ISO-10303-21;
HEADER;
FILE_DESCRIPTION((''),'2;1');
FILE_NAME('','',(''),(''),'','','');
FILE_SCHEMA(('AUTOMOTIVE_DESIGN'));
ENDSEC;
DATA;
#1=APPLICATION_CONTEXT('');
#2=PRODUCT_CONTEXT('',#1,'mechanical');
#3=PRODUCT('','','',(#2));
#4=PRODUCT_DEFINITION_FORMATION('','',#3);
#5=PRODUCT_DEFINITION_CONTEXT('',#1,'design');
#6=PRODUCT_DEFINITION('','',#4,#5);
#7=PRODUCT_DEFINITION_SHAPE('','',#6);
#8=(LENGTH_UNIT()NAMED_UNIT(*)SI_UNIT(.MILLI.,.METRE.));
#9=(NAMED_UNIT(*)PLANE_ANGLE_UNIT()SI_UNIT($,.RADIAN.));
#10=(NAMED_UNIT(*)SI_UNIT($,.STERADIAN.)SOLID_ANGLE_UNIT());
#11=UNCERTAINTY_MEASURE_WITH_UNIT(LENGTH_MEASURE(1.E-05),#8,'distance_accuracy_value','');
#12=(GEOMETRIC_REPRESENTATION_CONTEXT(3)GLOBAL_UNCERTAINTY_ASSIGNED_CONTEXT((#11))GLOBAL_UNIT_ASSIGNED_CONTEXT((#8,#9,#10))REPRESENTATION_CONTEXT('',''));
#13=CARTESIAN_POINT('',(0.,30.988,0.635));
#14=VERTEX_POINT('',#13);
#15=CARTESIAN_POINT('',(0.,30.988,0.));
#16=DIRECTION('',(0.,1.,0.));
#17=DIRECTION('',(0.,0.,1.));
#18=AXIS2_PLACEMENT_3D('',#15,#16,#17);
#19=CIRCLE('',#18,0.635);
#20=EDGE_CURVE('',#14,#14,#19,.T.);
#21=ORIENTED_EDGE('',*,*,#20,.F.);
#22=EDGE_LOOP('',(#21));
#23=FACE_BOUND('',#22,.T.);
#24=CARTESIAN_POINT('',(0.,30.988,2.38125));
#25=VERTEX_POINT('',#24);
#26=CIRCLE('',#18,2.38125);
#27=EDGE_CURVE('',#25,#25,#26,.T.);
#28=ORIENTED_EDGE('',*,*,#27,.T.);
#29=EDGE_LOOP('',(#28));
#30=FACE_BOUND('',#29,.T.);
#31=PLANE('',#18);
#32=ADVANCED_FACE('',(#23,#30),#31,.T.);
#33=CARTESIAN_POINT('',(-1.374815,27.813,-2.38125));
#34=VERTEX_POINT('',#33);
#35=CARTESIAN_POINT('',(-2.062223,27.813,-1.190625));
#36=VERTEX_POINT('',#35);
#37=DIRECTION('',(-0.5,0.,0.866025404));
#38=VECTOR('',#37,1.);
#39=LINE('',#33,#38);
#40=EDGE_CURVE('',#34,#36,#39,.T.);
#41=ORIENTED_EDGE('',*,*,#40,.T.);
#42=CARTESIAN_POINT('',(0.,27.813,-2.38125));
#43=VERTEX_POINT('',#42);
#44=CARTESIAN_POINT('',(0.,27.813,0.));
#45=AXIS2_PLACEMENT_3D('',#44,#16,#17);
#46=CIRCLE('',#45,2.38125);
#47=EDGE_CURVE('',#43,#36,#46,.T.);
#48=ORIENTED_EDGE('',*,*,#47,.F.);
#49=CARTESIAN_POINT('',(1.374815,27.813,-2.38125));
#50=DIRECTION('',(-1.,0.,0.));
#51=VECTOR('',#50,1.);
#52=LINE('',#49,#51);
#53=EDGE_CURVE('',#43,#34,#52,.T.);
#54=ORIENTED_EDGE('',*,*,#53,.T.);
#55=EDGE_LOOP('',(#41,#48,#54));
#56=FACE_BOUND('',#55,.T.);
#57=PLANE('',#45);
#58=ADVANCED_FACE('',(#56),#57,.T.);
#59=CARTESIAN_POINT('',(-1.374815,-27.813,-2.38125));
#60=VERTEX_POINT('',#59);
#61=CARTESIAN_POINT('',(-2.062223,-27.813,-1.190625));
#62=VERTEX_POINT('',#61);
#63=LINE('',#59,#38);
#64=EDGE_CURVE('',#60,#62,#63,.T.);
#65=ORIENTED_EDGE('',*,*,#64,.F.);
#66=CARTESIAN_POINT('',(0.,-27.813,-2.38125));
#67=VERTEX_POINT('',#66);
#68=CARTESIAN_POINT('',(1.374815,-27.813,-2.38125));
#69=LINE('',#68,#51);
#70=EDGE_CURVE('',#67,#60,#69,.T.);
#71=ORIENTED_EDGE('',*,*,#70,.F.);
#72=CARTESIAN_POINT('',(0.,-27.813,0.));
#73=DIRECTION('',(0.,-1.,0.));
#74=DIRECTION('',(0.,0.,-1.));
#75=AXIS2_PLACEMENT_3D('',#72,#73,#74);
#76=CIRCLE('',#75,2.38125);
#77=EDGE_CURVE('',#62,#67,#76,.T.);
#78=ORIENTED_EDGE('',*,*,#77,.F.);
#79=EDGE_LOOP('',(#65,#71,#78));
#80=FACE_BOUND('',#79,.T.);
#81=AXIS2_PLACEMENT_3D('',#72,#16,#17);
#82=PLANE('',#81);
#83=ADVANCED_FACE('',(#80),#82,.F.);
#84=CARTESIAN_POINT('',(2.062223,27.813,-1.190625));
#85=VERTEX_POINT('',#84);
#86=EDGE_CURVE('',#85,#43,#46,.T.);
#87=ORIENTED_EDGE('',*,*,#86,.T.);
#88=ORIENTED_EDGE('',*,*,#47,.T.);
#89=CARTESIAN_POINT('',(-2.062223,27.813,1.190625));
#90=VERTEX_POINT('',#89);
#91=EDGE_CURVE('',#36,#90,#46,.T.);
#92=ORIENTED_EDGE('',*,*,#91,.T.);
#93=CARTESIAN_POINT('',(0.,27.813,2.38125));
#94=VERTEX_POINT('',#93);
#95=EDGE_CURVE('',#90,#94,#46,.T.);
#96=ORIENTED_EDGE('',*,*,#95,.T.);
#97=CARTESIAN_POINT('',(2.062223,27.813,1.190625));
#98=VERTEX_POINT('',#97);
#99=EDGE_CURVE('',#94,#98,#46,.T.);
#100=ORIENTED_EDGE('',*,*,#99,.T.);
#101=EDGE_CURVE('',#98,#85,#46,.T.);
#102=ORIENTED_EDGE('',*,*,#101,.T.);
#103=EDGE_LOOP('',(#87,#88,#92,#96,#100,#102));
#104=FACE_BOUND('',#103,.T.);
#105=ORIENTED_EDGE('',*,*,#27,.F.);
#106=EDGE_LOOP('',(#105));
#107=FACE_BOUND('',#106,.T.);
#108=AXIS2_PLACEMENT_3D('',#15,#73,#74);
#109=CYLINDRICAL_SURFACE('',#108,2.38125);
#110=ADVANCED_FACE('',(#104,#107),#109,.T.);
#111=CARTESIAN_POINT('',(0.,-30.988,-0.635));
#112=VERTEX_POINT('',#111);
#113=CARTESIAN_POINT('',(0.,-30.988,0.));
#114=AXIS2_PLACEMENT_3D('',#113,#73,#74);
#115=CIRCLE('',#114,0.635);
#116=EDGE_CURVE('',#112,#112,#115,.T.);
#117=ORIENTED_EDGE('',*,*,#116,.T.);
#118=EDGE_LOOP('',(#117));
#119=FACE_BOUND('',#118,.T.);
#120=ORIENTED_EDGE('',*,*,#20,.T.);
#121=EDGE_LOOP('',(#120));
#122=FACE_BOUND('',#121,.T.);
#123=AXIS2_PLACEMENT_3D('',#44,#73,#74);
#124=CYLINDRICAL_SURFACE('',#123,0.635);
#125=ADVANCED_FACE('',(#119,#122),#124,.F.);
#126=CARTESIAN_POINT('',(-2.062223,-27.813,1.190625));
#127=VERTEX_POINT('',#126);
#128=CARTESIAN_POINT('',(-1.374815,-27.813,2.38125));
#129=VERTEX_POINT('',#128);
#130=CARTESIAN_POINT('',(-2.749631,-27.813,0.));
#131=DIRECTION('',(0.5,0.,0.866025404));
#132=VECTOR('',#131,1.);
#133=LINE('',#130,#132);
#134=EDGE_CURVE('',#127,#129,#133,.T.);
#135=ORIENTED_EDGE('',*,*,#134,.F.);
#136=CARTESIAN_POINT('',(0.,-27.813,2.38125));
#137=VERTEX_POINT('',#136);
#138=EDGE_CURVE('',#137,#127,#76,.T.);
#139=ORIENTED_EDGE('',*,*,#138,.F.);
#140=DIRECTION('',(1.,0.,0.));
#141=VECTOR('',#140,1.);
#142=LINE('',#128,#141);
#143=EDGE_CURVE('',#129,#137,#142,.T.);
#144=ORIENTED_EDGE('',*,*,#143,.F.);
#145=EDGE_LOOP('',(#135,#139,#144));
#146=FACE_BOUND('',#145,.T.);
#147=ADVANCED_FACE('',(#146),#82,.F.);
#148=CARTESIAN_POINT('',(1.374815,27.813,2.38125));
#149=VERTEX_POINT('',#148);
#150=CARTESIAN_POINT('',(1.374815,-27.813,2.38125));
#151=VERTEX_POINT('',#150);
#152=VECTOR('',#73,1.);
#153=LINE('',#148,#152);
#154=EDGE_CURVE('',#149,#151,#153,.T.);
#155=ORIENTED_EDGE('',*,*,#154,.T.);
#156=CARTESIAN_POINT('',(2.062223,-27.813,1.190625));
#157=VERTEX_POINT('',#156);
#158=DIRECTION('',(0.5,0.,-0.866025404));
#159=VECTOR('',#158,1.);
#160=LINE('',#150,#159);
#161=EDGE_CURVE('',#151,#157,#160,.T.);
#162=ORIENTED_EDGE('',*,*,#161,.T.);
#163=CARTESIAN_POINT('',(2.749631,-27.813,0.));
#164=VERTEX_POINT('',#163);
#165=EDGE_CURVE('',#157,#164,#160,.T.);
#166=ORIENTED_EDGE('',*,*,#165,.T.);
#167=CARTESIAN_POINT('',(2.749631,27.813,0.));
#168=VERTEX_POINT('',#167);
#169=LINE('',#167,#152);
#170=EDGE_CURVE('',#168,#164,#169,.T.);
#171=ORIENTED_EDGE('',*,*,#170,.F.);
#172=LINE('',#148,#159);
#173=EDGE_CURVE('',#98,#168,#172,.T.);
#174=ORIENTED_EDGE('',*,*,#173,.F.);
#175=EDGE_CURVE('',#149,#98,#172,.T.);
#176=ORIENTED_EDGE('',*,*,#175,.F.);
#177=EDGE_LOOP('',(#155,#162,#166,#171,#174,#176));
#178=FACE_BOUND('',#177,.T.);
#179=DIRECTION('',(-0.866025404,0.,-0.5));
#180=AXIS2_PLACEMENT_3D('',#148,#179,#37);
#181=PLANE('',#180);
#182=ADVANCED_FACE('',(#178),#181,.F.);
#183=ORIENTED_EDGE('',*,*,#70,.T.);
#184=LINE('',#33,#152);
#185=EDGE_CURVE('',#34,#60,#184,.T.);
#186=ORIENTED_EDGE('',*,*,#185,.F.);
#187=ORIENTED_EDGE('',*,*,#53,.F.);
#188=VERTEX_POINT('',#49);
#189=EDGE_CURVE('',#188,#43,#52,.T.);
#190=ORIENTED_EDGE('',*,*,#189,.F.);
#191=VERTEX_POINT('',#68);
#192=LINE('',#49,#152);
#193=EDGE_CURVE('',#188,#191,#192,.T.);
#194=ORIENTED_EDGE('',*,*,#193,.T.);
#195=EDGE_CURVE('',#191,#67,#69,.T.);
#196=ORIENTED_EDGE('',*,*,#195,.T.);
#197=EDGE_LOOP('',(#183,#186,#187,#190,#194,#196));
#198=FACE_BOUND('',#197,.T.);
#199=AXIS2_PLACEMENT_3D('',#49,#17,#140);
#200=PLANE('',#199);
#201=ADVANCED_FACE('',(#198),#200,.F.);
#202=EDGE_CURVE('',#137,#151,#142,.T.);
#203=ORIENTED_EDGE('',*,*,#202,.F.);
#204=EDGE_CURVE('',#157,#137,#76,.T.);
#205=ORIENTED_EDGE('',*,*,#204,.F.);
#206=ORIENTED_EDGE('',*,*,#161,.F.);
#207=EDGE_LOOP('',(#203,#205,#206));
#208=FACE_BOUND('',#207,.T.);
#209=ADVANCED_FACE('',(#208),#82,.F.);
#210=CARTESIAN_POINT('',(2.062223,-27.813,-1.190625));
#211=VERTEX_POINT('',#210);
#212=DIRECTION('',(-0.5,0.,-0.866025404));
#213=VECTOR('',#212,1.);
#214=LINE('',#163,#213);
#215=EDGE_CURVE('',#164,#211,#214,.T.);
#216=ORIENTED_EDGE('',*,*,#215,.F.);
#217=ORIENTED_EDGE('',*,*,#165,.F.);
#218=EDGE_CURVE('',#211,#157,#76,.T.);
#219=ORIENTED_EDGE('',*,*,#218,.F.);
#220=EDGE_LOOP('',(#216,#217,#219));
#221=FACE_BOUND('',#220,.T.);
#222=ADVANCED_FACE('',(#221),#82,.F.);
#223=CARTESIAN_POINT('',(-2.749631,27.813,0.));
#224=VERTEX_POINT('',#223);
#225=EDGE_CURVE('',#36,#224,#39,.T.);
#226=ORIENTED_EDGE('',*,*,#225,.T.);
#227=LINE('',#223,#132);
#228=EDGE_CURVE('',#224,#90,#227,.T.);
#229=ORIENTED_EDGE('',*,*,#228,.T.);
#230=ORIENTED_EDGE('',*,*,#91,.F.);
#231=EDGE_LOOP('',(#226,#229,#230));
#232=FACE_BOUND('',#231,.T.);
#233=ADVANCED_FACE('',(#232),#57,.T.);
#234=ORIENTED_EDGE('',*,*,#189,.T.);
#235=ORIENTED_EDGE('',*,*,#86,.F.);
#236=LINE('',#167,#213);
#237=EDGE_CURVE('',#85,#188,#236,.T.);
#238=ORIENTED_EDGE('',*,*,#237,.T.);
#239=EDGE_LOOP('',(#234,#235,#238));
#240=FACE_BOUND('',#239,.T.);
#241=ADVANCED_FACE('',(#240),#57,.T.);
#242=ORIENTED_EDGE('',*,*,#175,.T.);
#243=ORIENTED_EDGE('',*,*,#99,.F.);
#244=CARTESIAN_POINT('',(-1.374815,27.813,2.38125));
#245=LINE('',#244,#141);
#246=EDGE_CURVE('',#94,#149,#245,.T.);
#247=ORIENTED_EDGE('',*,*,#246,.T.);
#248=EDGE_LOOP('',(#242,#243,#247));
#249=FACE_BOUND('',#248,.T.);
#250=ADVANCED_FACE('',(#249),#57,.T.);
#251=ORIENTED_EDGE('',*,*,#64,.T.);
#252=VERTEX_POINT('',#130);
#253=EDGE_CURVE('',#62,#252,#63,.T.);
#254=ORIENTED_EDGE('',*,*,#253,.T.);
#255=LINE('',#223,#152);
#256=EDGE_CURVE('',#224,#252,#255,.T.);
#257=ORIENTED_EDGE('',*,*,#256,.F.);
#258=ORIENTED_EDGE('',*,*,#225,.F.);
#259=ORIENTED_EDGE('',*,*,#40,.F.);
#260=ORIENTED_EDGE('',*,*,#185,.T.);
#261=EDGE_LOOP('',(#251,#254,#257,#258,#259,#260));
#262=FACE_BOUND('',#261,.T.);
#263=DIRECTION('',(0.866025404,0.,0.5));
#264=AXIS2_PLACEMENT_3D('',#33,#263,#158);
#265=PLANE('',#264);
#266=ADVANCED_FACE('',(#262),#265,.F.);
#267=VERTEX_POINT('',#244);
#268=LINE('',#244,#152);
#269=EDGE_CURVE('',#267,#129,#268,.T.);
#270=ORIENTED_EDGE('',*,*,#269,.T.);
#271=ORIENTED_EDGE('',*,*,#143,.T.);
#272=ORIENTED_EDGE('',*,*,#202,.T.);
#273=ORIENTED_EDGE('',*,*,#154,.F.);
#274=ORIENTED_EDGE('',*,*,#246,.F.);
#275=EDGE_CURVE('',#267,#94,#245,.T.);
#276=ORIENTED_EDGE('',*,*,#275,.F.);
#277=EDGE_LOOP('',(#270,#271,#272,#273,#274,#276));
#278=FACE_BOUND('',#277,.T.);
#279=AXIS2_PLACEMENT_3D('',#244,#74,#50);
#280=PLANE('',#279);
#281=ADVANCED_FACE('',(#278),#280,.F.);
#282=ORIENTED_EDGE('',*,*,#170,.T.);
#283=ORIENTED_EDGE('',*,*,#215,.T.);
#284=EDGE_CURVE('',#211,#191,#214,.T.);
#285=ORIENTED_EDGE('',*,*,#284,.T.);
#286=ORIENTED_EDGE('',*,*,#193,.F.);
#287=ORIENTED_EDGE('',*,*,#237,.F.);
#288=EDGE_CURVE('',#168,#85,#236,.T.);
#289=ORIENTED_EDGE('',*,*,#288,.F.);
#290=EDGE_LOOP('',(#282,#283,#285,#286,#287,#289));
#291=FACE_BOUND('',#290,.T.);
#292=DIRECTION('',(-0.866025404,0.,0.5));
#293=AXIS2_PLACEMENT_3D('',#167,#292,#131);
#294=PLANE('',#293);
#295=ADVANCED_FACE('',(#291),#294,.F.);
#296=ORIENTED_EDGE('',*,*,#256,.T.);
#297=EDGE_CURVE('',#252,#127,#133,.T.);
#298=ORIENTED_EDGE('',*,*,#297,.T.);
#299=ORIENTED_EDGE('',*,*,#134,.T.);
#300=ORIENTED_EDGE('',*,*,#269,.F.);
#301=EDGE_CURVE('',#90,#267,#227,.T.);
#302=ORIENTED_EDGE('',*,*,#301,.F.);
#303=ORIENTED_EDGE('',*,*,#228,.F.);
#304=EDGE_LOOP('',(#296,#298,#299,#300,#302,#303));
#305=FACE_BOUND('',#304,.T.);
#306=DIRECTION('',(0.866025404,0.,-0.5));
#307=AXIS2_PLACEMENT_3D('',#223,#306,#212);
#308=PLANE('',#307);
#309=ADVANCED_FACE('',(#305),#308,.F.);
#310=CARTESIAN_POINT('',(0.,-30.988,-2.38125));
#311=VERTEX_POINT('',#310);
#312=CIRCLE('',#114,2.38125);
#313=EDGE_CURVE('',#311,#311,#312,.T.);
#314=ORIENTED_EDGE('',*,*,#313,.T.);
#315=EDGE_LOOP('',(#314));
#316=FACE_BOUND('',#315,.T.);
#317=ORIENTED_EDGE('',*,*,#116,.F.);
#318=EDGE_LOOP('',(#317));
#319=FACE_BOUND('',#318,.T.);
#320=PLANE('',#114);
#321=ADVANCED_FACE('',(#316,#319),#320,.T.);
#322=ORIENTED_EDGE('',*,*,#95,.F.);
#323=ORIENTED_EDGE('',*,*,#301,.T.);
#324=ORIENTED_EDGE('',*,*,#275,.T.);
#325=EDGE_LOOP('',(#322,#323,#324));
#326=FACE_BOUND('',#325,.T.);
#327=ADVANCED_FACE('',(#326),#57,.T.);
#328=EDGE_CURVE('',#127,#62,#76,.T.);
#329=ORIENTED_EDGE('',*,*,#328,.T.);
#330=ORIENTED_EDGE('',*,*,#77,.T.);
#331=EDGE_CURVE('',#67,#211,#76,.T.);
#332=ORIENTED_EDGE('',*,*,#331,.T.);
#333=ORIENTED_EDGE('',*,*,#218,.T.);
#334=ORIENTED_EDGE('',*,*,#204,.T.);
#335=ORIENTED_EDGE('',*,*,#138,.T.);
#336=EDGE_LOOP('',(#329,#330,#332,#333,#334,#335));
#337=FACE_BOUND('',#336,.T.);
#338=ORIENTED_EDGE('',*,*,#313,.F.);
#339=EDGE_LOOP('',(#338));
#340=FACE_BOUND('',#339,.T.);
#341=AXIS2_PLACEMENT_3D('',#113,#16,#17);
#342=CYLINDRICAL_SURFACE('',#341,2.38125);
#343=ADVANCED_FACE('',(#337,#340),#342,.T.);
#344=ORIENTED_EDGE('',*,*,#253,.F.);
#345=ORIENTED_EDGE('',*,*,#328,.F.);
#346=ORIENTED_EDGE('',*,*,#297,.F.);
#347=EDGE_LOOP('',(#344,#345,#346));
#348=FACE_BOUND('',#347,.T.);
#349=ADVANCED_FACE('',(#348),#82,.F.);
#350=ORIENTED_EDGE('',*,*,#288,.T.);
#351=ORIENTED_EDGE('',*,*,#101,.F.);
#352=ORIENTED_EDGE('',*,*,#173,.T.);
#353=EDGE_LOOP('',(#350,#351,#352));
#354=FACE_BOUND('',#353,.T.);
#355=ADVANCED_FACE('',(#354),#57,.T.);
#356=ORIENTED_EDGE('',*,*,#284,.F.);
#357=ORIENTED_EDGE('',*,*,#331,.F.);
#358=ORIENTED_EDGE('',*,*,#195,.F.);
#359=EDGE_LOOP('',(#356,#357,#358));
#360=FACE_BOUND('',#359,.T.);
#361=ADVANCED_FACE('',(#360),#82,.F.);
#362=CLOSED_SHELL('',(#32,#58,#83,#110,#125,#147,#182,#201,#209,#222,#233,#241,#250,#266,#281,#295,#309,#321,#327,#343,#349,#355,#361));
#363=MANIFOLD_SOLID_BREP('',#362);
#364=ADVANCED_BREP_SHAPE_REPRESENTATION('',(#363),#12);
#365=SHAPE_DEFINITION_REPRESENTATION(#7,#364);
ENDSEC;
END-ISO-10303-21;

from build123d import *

# Parameters (mm, degrees)
SKETCH1_R           = 0.635
BOSS_EXTRUDE1_DEPTH = 27.813
SKETCH2_R           = 2.38125
SKETCH2_R_2         = 0.635
BOSS_EXTRUDE2_DEPTH = 3.175
SKETCH3_R           = 2.38125
SKETCH3_R_2         = 0.635
BOSS_EXTRUDE3_DEPTH = 3.175


with BuildPart() as part:
    # Sketch1 → Boss-Extrude1 (new body, symmetric)
    with BuildSketch(Plane(origin=(0, 0, 0), x_dir=(1, 0, 0), z_dir=(0, 1, 0))):
        Polygon((1.374815329, -2.38125), (2.749630657, 0), (1.374815329, 2.38125), (-1.374815329, 2.38125), (-2.749630657, 0), (-1.374815329, -2.38125), align=None)
        Circle(SKETCH1_R, mode=Mode.SUBTRACT)
    extrude(amount=BOSS_EXTRUDE1_DEPTH, both=True)

    # Sketch2 → Boss-Extrude2 (add)
    with BuildSketch(Plane(origin=(0, 27.813, 0), x_dir=(1, 0, 0), z_dir=(0, 1, 0))):
        Circle(SKETCH2_R)
        Circle(SKETCH2_R_2, mode=Mode.SUBTRACT)
    extrude(amount=BOSS_EXTRUDE2_DEPTH)

    # Sketch3 → Boss-Extrude3 (add)
    with BuildSketch(Plane.XZ.offset(27.813)):
        Circle(SKETCH3_R)
        Circle(SKETCH3_R_2, mode=Mode.SUBTRACT)
    extrude(amount=BOSS_EXTRUDE3_DEPTH)


solid = part.part
